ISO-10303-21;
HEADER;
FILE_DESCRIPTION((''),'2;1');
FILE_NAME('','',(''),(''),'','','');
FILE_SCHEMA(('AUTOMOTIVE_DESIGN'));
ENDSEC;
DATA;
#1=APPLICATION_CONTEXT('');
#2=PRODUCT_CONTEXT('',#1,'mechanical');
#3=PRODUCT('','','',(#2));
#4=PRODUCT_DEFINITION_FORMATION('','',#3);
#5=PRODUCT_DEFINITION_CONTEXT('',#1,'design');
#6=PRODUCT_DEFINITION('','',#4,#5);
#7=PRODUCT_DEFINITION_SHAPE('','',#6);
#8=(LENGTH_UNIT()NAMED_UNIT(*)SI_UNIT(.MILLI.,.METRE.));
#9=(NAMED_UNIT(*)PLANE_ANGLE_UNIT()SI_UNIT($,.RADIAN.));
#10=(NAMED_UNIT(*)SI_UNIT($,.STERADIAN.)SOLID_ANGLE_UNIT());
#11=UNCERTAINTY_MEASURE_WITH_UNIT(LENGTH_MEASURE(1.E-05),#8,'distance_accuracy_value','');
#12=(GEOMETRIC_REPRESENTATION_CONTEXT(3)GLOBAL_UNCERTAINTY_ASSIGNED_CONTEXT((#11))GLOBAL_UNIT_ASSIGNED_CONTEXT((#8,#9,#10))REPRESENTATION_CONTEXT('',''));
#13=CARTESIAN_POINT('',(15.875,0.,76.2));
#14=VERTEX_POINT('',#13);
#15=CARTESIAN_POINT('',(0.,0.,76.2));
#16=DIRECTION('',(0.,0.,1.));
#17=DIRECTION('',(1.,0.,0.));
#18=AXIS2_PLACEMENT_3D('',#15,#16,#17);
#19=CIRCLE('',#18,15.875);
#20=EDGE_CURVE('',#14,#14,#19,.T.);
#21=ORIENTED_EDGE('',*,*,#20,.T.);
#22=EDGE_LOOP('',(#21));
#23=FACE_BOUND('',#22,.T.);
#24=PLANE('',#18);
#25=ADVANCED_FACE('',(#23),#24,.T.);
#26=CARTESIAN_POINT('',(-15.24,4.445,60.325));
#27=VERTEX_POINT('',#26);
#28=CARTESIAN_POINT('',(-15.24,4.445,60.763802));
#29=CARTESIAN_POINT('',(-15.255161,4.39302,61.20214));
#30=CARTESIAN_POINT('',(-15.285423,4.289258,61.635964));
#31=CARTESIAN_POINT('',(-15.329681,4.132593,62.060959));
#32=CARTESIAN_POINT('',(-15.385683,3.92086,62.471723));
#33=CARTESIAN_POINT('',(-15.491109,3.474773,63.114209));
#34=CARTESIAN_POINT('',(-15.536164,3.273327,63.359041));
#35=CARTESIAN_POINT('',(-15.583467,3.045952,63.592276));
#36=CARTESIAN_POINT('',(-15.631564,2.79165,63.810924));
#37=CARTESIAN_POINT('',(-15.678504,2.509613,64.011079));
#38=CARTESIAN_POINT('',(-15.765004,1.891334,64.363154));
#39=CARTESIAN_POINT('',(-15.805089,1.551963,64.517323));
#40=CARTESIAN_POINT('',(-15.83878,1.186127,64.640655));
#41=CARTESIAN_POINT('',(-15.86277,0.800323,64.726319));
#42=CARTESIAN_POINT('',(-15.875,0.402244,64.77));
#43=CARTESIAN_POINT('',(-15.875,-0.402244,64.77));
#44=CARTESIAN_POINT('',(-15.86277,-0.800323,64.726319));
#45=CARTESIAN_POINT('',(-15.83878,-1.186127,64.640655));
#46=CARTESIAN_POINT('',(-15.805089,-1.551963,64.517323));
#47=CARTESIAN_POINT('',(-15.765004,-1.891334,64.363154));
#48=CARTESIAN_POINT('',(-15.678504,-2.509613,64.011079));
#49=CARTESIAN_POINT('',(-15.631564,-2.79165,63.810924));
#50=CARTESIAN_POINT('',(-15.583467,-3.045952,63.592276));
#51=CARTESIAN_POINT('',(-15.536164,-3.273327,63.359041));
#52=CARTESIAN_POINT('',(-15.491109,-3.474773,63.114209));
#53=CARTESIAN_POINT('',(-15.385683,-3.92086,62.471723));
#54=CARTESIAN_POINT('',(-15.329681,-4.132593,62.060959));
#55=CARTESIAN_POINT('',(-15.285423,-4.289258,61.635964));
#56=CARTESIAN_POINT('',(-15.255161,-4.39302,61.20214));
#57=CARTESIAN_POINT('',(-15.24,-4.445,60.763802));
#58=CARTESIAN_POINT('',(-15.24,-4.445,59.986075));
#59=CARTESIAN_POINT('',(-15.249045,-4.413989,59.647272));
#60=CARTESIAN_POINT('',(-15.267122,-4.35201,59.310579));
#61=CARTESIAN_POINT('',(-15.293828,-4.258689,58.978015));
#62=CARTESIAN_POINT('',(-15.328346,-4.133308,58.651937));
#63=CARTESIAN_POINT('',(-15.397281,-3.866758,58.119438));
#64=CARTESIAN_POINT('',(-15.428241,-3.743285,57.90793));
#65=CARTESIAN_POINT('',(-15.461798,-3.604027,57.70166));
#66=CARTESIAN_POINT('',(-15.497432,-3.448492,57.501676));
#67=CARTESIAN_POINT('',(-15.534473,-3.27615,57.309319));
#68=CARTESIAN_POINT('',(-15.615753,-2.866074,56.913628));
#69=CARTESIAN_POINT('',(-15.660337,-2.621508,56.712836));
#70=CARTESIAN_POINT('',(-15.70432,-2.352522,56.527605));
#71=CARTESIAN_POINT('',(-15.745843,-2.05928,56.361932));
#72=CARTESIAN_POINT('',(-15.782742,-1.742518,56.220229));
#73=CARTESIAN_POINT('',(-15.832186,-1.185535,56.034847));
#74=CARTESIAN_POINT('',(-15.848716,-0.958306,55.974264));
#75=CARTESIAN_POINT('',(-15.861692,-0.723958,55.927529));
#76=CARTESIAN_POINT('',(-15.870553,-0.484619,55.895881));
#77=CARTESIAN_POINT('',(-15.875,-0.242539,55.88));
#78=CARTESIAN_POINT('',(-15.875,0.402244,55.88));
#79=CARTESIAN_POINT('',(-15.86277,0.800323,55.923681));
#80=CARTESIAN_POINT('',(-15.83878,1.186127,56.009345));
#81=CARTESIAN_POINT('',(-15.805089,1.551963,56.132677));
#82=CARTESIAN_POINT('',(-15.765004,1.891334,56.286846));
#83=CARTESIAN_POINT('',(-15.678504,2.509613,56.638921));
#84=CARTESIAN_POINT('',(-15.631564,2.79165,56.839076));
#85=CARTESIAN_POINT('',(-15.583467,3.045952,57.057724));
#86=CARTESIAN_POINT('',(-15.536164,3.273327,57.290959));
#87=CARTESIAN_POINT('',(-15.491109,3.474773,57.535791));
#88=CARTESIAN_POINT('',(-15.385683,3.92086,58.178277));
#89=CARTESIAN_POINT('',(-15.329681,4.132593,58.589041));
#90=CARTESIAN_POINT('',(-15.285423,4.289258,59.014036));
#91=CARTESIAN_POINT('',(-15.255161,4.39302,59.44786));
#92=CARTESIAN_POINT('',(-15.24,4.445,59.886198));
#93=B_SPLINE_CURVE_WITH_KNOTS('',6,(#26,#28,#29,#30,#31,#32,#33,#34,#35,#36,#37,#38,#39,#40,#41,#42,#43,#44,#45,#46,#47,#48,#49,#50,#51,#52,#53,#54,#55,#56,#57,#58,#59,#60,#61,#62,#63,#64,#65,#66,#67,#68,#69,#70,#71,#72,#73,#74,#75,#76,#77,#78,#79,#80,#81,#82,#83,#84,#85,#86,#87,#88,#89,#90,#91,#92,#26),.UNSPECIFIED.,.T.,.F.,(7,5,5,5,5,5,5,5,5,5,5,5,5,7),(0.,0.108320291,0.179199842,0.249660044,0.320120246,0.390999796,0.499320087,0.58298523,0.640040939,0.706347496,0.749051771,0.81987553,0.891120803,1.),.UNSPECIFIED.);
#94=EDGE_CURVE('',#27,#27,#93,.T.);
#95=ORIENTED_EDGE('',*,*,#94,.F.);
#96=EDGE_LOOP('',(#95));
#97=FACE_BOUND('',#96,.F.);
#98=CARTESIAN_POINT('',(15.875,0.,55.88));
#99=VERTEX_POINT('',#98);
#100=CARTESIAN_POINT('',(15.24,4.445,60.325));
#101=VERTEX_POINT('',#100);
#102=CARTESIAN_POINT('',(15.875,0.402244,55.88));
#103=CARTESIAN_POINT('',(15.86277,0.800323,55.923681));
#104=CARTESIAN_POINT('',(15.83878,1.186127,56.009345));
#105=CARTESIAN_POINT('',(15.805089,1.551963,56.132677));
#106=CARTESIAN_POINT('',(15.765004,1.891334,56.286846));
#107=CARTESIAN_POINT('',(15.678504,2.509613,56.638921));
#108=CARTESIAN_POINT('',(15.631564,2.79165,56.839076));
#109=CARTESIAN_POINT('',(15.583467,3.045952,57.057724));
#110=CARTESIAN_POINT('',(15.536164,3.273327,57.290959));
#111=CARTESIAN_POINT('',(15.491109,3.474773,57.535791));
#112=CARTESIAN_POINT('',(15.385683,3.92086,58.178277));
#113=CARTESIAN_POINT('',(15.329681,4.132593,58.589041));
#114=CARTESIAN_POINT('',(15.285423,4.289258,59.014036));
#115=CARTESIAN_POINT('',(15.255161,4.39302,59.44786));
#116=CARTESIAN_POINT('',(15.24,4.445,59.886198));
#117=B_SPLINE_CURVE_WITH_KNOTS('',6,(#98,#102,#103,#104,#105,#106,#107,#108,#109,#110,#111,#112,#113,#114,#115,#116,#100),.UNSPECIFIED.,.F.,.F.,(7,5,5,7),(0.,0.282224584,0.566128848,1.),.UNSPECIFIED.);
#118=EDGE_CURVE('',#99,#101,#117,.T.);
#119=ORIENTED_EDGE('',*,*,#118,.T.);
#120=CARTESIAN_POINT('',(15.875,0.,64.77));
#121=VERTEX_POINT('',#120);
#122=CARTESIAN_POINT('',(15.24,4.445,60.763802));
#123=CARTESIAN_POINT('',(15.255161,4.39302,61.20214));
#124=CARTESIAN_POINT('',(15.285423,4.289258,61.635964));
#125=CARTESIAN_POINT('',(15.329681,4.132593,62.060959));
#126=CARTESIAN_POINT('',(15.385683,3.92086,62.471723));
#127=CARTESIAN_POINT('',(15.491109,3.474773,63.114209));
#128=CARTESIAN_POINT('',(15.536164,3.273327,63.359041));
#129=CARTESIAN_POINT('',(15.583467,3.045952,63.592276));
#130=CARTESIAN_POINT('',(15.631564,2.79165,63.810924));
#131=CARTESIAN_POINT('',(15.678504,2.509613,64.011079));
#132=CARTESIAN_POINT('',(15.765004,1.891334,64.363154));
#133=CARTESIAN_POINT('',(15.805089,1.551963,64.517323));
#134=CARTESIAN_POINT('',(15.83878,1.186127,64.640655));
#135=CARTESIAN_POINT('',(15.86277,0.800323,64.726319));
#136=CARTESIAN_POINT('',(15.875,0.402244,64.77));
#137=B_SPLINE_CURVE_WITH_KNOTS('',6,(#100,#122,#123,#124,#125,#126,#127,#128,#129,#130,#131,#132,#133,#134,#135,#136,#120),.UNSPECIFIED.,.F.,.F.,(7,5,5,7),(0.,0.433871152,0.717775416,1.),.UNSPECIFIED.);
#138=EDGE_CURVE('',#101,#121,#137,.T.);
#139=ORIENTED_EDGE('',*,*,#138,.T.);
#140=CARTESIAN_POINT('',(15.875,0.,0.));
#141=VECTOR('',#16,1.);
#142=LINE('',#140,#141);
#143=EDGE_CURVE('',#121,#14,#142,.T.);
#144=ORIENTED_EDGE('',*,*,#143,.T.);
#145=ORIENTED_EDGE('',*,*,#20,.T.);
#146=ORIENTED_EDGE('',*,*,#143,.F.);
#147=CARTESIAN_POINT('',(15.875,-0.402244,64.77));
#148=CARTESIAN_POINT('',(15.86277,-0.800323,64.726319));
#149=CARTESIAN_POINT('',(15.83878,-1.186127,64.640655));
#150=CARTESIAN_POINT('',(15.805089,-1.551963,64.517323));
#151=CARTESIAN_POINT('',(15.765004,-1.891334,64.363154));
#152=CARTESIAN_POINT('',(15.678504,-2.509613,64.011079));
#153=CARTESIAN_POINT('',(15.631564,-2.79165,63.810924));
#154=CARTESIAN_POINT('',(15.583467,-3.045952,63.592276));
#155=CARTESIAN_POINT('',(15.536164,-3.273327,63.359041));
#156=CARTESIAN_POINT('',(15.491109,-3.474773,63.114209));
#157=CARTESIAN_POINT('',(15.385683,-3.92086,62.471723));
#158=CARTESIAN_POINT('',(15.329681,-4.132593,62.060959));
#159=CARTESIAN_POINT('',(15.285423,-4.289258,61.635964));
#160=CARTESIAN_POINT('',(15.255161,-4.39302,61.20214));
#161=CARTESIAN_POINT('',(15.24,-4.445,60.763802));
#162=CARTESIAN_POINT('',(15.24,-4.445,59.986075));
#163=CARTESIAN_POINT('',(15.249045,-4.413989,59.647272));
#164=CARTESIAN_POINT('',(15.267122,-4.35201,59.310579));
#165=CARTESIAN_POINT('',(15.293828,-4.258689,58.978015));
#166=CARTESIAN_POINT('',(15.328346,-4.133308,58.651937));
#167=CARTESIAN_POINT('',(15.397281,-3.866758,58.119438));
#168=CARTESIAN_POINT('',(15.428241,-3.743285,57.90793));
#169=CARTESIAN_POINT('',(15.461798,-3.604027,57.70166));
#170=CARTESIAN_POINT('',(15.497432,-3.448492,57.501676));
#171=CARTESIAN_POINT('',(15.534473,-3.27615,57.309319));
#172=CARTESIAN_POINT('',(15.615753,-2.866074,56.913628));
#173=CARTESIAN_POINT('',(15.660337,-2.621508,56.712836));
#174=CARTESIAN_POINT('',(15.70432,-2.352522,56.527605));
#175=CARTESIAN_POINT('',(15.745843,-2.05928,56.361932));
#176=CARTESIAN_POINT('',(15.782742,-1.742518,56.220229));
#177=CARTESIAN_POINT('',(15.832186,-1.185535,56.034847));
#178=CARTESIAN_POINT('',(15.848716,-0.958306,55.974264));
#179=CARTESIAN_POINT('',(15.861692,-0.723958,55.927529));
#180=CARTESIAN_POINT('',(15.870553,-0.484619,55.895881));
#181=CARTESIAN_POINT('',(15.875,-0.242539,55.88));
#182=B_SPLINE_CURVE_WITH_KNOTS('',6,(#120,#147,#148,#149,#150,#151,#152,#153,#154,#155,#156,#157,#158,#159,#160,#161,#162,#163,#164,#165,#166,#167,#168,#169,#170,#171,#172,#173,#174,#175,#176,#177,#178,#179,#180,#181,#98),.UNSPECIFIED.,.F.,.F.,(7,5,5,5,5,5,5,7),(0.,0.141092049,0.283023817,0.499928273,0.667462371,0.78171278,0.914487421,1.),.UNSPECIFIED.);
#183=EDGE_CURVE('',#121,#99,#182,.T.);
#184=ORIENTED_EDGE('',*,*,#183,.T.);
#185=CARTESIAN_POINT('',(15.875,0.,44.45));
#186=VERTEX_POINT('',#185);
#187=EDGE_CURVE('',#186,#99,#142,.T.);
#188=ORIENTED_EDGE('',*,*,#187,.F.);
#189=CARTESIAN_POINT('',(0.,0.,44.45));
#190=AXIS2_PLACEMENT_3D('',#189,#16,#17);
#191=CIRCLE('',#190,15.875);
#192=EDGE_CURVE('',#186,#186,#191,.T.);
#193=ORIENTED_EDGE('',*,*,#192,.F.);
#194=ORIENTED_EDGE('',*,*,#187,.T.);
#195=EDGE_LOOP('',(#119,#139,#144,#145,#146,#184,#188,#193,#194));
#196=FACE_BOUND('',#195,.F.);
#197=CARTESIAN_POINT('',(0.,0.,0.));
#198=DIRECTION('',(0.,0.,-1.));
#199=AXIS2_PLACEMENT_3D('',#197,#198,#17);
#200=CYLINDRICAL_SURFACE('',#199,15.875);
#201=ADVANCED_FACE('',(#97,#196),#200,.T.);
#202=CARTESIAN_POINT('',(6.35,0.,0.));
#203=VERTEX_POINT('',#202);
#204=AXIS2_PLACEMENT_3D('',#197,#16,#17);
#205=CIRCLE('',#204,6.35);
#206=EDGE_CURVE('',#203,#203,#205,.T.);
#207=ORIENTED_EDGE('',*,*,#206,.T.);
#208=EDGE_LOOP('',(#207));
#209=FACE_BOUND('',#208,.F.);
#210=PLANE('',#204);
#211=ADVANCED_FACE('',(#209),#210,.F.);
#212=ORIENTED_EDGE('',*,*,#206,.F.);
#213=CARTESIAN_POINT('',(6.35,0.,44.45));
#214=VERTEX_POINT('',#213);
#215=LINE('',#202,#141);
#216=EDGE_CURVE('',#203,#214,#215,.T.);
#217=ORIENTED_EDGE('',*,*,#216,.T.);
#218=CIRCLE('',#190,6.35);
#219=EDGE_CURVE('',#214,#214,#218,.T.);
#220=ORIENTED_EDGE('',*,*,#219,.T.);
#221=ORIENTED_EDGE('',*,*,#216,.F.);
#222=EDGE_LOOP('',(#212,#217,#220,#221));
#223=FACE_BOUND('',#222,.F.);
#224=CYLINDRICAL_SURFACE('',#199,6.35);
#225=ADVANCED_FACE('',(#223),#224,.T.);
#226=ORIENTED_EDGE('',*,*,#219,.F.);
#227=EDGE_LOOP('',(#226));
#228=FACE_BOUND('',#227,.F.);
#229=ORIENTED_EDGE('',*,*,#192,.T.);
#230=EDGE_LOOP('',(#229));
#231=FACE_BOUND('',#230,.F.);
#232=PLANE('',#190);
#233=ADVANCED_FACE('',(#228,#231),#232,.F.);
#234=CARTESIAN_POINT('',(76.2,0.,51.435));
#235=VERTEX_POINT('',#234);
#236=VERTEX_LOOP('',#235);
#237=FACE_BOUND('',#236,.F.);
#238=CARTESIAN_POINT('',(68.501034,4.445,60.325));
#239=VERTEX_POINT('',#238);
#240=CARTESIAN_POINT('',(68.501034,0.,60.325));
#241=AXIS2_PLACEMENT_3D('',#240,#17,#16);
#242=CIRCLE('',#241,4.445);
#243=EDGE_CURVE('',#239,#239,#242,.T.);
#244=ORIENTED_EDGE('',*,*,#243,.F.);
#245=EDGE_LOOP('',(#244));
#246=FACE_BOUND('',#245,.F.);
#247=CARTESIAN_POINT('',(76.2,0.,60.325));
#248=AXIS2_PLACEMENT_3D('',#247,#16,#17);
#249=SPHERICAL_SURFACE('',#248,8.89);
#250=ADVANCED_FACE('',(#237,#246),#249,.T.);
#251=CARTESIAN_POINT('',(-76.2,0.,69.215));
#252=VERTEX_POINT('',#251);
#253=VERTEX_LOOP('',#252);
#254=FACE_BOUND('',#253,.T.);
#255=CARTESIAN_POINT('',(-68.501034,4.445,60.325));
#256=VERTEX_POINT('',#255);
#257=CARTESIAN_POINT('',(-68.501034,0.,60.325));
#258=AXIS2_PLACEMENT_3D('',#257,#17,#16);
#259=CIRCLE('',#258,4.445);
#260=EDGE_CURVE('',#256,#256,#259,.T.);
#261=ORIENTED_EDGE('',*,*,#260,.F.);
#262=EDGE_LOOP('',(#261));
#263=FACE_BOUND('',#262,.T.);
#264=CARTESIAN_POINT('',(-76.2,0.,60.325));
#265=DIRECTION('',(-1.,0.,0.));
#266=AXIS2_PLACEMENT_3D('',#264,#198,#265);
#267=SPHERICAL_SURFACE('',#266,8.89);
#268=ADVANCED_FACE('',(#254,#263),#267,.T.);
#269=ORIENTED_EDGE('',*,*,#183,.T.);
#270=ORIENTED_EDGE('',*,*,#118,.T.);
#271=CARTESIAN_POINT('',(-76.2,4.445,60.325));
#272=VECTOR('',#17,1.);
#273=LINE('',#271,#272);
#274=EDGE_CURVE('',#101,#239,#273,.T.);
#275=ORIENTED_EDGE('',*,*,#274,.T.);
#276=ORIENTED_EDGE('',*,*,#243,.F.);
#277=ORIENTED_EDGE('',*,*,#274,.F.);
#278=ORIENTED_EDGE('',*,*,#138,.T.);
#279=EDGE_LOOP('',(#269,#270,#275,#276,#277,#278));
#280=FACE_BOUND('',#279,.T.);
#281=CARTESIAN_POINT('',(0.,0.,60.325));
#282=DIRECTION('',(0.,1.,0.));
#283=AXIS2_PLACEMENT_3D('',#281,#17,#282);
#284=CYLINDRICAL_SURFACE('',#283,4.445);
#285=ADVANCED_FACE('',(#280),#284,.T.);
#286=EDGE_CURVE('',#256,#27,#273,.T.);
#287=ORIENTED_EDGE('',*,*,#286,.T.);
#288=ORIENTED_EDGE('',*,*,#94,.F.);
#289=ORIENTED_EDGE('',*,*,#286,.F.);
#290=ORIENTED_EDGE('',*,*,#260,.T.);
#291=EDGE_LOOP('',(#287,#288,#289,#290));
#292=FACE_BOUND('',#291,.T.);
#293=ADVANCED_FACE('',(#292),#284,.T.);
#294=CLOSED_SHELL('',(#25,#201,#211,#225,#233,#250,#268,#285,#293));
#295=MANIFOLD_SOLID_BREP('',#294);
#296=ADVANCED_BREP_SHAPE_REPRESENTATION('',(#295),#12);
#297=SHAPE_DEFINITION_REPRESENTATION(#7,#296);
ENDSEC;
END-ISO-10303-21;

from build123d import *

# Parameters (mm, degrees)
F0_R     = 15.875
F1_DEPTH = 76.2
F2_R     = 15.875
F2_R_2   = 6.35
F3_DEPTH = 44.45
F4_R     = 4.445
F5_DEPTH = 76.2


with BuildPart() as f1:
    # F0 (on Top) → F1 (new body)
    with BuildSketch(Plane.XY):
        Circle(F0_R)
    extrude(amount=F1_DEPTH)

    # F2 (on Top) → F3 (cut)
    with BuildSketch(Plane.XY):
        Circle(F2_R)
        Circle(F2_R_2, mode=Mode.SUBTRACT)
    extrude(amount=F3_DEPTH, mode=Mode.SUBTRACT)

    # F4 (on Right) → F5 (join, symmetric)
    with BuildSketch(Plane.YZ):
        with Locations((0, 60.325)):
            Circle(F4_R)
    extrude(amount=F5_DEPTH, both=True)

    # F7 (on Front) → F8 (revolve)
    with BuildSketch(Plane.XZ):
        with BuildLine():
            Line((76.2, 69.215), (76.2, 51.435))
            ThreePointArc((76.2, 51.435), (85.09, 60.325), (76.2, 69.215))
        make_face()
    revolve(axis=Axis((76.2, 0, 60.325), (0, 0, -1)))

    # F11 (on Front) → F12 (revolve)
    with BuildSketch(Plane.XZ):
        with BuildLine():
            Line((-76.2, 51.435), (-76.2, 69.215))
            ThreePointArc((-76.2, 69.215), (-85.09, 60.325), (-76.2, 51.435))
        make_face()
    revolve(axis=Axis((-76.2, 0, 60.325), (0, 0, -1)))


solid = f1.part
